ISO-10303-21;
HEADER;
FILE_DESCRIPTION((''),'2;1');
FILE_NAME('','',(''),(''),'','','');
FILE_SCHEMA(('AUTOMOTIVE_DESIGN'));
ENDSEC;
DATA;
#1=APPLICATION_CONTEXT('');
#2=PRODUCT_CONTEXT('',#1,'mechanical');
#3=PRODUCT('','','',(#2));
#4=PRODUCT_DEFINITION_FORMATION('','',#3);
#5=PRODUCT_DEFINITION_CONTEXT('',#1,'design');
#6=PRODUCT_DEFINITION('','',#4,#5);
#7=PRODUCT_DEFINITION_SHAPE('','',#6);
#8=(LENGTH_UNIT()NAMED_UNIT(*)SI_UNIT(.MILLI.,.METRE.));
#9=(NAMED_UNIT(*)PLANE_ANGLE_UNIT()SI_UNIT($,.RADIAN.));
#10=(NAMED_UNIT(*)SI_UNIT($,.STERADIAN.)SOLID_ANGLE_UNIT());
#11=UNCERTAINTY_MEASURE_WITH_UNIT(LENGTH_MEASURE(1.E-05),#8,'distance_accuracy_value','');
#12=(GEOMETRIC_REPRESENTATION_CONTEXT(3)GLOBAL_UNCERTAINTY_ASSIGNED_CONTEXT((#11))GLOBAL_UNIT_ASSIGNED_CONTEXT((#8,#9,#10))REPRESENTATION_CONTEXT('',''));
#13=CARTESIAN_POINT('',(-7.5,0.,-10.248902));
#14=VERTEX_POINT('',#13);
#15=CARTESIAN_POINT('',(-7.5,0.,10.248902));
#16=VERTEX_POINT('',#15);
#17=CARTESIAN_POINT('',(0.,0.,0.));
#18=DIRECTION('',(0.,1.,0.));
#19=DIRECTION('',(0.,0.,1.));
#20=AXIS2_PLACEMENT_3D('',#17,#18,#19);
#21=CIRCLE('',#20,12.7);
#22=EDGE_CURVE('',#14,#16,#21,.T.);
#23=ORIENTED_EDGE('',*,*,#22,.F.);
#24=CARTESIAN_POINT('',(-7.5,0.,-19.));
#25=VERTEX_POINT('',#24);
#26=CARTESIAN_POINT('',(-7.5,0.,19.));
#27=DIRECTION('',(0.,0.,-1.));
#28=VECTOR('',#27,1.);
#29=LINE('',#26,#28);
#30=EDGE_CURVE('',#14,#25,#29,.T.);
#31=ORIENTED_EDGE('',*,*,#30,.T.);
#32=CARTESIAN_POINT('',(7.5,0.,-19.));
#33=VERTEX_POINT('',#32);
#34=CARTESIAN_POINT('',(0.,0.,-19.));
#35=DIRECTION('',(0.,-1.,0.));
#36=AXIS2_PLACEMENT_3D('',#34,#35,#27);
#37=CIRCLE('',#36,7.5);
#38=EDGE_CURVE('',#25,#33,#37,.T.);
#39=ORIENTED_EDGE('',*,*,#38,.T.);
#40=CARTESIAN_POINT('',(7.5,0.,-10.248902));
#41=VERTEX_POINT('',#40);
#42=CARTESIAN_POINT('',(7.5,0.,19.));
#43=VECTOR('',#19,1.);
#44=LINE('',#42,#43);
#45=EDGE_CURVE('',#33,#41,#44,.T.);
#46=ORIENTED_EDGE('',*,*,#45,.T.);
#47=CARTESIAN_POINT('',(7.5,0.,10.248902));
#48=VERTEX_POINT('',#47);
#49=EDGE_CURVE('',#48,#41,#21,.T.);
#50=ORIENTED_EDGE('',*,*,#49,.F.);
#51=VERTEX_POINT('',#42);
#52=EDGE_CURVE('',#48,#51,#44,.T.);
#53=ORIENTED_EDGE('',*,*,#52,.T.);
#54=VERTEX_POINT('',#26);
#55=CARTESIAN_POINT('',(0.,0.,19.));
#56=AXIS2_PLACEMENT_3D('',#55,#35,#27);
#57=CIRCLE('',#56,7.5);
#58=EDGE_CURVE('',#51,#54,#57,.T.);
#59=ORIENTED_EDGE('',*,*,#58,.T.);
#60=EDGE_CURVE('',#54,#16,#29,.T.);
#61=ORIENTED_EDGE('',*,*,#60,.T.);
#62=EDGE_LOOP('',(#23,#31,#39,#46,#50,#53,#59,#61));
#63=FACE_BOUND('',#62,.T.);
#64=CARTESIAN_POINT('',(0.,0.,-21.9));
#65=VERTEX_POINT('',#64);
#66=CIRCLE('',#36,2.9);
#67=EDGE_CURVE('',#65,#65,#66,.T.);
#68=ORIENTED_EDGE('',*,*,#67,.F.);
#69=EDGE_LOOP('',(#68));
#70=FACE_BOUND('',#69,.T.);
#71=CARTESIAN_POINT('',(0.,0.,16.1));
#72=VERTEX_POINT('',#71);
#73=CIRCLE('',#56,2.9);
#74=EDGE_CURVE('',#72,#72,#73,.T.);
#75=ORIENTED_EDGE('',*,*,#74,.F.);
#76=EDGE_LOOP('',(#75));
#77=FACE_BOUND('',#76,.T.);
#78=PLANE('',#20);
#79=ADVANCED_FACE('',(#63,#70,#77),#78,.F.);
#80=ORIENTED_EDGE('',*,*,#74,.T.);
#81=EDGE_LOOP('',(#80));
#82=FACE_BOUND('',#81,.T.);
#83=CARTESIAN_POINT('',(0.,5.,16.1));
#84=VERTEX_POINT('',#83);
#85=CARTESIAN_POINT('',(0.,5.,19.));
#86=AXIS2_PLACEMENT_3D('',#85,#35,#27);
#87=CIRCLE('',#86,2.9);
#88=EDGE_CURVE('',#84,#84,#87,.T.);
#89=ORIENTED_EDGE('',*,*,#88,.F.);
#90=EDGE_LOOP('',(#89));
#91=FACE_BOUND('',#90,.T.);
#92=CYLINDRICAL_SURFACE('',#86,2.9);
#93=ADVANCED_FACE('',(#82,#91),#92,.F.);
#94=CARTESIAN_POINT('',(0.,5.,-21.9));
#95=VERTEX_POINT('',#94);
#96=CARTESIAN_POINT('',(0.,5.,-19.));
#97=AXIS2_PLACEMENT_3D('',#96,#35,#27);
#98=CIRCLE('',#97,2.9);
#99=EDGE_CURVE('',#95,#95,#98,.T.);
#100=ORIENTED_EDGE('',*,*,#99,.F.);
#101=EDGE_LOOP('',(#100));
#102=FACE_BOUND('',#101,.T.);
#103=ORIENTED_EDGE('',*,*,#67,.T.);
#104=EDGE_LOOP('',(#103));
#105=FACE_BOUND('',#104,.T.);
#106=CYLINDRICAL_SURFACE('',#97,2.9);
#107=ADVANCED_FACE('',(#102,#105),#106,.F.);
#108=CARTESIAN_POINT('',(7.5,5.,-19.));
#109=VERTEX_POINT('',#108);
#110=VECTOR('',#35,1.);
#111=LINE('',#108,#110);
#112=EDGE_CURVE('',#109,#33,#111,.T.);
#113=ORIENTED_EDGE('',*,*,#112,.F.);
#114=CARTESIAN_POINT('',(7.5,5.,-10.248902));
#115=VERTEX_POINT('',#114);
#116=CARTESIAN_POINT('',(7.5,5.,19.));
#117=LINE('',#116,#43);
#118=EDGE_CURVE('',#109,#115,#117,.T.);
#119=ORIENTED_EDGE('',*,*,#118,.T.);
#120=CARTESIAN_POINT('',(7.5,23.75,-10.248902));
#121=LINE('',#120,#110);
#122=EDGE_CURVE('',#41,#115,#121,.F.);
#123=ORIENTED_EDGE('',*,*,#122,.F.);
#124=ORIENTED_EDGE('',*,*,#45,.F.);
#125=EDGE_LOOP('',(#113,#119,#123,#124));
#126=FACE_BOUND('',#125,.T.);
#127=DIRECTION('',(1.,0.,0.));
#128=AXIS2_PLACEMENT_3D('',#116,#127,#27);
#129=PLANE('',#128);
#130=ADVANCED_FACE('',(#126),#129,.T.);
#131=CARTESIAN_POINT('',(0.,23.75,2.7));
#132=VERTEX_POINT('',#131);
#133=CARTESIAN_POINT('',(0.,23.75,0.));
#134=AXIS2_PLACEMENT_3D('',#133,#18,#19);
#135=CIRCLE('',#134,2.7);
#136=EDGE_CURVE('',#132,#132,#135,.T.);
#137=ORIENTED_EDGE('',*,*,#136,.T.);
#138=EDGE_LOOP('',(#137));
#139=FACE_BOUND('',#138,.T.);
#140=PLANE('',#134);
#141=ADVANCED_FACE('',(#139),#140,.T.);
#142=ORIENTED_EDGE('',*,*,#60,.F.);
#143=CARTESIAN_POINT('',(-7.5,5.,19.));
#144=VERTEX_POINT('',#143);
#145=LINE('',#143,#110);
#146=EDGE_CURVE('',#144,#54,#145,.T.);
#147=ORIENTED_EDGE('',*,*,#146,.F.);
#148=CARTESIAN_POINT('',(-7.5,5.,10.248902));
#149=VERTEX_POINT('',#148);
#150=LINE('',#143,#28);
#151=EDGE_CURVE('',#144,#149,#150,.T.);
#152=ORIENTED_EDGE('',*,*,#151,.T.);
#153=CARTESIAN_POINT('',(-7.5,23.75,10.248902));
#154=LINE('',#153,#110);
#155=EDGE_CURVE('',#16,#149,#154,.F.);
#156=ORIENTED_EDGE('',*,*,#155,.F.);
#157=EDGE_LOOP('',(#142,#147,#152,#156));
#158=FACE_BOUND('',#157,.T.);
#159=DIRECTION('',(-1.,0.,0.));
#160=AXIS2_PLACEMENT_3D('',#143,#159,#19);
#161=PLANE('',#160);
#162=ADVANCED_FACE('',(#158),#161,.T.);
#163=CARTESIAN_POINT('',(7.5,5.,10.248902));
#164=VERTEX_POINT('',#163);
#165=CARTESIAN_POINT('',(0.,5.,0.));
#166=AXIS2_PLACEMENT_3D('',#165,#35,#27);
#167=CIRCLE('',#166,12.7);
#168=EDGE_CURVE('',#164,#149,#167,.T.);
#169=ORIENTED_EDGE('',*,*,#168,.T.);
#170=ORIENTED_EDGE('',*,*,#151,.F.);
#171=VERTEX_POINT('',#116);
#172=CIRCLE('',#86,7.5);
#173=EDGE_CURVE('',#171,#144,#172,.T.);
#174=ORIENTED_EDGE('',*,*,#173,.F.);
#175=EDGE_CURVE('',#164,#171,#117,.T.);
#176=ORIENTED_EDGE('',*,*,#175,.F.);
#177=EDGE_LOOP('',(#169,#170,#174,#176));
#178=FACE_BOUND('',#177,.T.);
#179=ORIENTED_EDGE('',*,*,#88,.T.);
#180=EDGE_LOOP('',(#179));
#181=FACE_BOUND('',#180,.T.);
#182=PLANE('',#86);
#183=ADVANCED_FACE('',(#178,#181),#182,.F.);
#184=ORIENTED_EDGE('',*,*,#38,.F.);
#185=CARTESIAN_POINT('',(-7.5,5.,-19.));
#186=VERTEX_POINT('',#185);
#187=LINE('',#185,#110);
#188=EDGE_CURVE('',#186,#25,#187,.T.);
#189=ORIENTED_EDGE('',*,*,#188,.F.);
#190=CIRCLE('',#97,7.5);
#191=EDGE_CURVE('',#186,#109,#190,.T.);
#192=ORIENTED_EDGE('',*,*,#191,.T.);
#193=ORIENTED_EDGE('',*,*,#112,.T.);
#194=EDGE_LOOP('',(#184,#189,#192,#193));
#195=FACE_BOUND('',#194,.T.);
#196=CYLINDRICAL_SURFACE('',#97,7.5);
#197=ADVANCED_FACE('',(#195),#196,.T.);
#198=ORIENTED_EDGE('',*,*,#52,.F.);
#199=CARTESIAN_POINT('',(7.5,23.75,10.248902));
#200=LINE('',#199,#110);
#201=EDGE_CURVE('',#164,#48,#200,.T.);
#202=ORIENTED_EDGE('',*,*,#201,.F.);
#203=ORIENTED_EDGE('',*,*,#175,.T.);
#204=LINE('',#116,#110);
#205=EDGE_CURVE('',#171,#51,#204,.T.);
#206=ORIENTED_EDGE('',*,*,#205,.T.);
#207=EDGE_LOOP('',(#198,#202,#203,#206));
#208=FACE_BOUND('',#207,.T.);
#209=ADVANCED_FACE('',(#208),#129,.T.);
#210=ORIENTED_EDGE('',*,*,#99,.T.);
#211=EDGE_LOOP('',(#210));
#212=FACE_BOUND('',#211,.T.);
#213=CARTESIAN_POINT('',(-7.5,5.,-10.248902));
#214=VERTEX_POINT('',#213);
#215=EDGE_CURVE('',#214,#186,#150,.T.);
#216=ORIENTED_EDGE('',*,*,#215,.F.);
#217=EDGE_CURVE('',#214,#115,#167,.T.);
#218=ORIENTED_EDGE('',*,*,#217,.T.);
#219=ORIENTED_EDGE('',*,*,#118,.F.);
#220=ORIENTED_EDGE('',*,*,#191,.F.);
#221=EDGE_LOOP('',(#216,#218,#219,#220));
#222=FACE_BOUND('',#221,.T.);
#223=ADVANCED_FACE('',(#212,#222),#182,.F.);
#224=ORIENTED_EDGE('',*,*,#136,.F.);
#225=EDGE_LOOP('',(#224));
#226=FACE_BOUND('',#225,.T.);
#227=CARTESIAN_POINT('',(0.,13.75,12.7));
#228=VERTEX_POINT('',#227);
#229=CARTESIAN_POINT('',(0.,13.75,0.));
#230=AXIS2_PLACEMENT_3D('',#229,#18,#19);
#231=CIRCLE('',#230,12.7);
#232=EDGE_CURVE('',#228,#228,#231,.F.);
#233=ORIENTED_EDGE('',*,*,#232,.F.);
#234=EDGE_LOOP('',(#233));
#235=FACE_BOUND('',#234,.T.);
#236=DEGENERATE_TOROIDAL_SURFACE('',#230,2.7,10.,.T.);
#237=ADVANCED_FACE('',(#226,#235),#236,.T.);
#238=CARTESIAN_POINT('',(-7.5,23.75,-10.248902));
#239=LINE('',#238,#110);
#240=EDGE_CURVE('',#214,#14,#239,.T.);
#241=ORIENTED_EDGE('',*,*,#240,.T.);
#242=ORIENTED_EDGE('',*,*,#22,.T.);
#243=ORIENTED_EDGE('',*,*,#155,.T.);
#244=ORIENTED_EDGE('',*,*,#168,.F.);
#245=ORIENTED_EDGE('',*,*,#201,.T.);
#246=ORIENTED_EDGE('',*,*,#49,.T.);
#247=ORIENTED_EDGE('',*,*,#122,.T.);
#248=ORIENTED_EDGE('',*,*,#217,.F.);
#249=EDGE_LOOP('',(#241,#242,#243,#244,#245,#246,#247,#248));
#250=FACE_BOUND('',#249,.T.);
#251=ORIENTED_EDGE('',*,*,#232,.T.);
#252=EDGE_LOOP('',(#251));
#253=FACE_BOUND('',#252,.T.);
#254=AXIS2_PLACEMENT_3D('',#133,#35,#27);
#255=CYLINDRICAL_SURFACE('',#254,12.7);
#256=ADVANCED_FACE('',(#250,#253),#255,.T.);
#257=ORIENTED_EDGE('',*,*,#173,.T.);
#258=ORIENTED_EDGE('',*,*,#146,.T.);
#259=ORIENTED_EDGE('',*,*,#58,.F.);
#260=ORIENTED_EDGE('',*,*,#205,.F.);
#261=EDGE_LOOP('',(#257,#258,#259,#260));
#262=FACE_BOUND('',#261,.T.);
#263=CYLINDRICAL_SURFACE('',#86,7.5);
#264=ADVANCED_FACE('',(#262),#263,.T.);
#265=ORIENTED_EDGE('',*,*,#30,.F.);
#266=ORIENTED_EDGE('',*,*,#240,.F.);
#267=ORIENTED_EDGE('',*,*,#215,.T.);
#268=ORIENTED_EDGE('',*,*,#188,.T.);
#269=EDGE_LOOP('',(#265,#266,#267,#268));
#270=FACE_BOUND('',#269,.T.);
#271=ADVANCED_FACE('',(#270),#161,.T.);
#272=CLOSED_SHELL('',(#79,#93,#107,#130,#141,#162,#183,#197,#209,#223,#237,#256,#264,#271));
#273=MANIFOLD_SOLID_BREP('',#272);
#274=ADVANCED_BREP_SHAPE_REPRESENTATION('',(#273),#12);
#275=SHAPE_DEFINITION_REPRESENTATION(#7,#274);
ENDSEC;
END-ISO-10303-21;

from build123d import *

# Parameters (mm, degrees)
SKETCH1_R           = 12.7
BOSS_EXTRUDE1_DEPTH = 23.75
FILLET1_R           = 10
SKETCH2_R           = 2.9
BOSS_EXTRUDE2_DEPTH = 5


with BuildPart() as part:
    # Sketch1 → Boss-Extrude1 (new body)
    with BuildSketch(Plane(origin=(0, 0, 0), x_dir=(1, 0, 0), z_dir=(0, 1, 0))):
        with Locations(Location((0, 0, 0), (0, 0, 270))):
            Circle(SKETCH1_R)
    extrude(amount=BOSS_EXTRUDE1_DEPTH)

    # Fillet1
    fillet1_edges = [part.edges().sort_by_distance(p)[0] for p in [
        (0, 23.75, -12.7),
    ]]
    fillet(fillet1_edges, radius=FILLET1_R)

    # Sketch2 → Boss-Extrude2 (add)
    with BuildSketch(Plane.XZ):
        with BuildLine():
            Line((7.5, 19), (7.5, -19))
            ThreePointArc((7.5, -19), (0, -26.5), (-7.5, -19))
            Line((-7.5, -19), (-7.5, 19))
            ThreePointArc((-7.5, 19), (0, 26.5), (7.5, 19))
        make_face()
        with Locations(Location((0, 19, 0), (0, 0, 270))):
            Circle(SKETCH2_R, mode=Mode.SUBTRACT)
        with Locations(Location((0, -19, 0), (0, 0, 270))):
            Circle(SKETCH2_R, mode=Mode.SUBTRACT)
    extrude(amount=-BOSS_EXTRUDE2_DEPTH)


solid = part.part
